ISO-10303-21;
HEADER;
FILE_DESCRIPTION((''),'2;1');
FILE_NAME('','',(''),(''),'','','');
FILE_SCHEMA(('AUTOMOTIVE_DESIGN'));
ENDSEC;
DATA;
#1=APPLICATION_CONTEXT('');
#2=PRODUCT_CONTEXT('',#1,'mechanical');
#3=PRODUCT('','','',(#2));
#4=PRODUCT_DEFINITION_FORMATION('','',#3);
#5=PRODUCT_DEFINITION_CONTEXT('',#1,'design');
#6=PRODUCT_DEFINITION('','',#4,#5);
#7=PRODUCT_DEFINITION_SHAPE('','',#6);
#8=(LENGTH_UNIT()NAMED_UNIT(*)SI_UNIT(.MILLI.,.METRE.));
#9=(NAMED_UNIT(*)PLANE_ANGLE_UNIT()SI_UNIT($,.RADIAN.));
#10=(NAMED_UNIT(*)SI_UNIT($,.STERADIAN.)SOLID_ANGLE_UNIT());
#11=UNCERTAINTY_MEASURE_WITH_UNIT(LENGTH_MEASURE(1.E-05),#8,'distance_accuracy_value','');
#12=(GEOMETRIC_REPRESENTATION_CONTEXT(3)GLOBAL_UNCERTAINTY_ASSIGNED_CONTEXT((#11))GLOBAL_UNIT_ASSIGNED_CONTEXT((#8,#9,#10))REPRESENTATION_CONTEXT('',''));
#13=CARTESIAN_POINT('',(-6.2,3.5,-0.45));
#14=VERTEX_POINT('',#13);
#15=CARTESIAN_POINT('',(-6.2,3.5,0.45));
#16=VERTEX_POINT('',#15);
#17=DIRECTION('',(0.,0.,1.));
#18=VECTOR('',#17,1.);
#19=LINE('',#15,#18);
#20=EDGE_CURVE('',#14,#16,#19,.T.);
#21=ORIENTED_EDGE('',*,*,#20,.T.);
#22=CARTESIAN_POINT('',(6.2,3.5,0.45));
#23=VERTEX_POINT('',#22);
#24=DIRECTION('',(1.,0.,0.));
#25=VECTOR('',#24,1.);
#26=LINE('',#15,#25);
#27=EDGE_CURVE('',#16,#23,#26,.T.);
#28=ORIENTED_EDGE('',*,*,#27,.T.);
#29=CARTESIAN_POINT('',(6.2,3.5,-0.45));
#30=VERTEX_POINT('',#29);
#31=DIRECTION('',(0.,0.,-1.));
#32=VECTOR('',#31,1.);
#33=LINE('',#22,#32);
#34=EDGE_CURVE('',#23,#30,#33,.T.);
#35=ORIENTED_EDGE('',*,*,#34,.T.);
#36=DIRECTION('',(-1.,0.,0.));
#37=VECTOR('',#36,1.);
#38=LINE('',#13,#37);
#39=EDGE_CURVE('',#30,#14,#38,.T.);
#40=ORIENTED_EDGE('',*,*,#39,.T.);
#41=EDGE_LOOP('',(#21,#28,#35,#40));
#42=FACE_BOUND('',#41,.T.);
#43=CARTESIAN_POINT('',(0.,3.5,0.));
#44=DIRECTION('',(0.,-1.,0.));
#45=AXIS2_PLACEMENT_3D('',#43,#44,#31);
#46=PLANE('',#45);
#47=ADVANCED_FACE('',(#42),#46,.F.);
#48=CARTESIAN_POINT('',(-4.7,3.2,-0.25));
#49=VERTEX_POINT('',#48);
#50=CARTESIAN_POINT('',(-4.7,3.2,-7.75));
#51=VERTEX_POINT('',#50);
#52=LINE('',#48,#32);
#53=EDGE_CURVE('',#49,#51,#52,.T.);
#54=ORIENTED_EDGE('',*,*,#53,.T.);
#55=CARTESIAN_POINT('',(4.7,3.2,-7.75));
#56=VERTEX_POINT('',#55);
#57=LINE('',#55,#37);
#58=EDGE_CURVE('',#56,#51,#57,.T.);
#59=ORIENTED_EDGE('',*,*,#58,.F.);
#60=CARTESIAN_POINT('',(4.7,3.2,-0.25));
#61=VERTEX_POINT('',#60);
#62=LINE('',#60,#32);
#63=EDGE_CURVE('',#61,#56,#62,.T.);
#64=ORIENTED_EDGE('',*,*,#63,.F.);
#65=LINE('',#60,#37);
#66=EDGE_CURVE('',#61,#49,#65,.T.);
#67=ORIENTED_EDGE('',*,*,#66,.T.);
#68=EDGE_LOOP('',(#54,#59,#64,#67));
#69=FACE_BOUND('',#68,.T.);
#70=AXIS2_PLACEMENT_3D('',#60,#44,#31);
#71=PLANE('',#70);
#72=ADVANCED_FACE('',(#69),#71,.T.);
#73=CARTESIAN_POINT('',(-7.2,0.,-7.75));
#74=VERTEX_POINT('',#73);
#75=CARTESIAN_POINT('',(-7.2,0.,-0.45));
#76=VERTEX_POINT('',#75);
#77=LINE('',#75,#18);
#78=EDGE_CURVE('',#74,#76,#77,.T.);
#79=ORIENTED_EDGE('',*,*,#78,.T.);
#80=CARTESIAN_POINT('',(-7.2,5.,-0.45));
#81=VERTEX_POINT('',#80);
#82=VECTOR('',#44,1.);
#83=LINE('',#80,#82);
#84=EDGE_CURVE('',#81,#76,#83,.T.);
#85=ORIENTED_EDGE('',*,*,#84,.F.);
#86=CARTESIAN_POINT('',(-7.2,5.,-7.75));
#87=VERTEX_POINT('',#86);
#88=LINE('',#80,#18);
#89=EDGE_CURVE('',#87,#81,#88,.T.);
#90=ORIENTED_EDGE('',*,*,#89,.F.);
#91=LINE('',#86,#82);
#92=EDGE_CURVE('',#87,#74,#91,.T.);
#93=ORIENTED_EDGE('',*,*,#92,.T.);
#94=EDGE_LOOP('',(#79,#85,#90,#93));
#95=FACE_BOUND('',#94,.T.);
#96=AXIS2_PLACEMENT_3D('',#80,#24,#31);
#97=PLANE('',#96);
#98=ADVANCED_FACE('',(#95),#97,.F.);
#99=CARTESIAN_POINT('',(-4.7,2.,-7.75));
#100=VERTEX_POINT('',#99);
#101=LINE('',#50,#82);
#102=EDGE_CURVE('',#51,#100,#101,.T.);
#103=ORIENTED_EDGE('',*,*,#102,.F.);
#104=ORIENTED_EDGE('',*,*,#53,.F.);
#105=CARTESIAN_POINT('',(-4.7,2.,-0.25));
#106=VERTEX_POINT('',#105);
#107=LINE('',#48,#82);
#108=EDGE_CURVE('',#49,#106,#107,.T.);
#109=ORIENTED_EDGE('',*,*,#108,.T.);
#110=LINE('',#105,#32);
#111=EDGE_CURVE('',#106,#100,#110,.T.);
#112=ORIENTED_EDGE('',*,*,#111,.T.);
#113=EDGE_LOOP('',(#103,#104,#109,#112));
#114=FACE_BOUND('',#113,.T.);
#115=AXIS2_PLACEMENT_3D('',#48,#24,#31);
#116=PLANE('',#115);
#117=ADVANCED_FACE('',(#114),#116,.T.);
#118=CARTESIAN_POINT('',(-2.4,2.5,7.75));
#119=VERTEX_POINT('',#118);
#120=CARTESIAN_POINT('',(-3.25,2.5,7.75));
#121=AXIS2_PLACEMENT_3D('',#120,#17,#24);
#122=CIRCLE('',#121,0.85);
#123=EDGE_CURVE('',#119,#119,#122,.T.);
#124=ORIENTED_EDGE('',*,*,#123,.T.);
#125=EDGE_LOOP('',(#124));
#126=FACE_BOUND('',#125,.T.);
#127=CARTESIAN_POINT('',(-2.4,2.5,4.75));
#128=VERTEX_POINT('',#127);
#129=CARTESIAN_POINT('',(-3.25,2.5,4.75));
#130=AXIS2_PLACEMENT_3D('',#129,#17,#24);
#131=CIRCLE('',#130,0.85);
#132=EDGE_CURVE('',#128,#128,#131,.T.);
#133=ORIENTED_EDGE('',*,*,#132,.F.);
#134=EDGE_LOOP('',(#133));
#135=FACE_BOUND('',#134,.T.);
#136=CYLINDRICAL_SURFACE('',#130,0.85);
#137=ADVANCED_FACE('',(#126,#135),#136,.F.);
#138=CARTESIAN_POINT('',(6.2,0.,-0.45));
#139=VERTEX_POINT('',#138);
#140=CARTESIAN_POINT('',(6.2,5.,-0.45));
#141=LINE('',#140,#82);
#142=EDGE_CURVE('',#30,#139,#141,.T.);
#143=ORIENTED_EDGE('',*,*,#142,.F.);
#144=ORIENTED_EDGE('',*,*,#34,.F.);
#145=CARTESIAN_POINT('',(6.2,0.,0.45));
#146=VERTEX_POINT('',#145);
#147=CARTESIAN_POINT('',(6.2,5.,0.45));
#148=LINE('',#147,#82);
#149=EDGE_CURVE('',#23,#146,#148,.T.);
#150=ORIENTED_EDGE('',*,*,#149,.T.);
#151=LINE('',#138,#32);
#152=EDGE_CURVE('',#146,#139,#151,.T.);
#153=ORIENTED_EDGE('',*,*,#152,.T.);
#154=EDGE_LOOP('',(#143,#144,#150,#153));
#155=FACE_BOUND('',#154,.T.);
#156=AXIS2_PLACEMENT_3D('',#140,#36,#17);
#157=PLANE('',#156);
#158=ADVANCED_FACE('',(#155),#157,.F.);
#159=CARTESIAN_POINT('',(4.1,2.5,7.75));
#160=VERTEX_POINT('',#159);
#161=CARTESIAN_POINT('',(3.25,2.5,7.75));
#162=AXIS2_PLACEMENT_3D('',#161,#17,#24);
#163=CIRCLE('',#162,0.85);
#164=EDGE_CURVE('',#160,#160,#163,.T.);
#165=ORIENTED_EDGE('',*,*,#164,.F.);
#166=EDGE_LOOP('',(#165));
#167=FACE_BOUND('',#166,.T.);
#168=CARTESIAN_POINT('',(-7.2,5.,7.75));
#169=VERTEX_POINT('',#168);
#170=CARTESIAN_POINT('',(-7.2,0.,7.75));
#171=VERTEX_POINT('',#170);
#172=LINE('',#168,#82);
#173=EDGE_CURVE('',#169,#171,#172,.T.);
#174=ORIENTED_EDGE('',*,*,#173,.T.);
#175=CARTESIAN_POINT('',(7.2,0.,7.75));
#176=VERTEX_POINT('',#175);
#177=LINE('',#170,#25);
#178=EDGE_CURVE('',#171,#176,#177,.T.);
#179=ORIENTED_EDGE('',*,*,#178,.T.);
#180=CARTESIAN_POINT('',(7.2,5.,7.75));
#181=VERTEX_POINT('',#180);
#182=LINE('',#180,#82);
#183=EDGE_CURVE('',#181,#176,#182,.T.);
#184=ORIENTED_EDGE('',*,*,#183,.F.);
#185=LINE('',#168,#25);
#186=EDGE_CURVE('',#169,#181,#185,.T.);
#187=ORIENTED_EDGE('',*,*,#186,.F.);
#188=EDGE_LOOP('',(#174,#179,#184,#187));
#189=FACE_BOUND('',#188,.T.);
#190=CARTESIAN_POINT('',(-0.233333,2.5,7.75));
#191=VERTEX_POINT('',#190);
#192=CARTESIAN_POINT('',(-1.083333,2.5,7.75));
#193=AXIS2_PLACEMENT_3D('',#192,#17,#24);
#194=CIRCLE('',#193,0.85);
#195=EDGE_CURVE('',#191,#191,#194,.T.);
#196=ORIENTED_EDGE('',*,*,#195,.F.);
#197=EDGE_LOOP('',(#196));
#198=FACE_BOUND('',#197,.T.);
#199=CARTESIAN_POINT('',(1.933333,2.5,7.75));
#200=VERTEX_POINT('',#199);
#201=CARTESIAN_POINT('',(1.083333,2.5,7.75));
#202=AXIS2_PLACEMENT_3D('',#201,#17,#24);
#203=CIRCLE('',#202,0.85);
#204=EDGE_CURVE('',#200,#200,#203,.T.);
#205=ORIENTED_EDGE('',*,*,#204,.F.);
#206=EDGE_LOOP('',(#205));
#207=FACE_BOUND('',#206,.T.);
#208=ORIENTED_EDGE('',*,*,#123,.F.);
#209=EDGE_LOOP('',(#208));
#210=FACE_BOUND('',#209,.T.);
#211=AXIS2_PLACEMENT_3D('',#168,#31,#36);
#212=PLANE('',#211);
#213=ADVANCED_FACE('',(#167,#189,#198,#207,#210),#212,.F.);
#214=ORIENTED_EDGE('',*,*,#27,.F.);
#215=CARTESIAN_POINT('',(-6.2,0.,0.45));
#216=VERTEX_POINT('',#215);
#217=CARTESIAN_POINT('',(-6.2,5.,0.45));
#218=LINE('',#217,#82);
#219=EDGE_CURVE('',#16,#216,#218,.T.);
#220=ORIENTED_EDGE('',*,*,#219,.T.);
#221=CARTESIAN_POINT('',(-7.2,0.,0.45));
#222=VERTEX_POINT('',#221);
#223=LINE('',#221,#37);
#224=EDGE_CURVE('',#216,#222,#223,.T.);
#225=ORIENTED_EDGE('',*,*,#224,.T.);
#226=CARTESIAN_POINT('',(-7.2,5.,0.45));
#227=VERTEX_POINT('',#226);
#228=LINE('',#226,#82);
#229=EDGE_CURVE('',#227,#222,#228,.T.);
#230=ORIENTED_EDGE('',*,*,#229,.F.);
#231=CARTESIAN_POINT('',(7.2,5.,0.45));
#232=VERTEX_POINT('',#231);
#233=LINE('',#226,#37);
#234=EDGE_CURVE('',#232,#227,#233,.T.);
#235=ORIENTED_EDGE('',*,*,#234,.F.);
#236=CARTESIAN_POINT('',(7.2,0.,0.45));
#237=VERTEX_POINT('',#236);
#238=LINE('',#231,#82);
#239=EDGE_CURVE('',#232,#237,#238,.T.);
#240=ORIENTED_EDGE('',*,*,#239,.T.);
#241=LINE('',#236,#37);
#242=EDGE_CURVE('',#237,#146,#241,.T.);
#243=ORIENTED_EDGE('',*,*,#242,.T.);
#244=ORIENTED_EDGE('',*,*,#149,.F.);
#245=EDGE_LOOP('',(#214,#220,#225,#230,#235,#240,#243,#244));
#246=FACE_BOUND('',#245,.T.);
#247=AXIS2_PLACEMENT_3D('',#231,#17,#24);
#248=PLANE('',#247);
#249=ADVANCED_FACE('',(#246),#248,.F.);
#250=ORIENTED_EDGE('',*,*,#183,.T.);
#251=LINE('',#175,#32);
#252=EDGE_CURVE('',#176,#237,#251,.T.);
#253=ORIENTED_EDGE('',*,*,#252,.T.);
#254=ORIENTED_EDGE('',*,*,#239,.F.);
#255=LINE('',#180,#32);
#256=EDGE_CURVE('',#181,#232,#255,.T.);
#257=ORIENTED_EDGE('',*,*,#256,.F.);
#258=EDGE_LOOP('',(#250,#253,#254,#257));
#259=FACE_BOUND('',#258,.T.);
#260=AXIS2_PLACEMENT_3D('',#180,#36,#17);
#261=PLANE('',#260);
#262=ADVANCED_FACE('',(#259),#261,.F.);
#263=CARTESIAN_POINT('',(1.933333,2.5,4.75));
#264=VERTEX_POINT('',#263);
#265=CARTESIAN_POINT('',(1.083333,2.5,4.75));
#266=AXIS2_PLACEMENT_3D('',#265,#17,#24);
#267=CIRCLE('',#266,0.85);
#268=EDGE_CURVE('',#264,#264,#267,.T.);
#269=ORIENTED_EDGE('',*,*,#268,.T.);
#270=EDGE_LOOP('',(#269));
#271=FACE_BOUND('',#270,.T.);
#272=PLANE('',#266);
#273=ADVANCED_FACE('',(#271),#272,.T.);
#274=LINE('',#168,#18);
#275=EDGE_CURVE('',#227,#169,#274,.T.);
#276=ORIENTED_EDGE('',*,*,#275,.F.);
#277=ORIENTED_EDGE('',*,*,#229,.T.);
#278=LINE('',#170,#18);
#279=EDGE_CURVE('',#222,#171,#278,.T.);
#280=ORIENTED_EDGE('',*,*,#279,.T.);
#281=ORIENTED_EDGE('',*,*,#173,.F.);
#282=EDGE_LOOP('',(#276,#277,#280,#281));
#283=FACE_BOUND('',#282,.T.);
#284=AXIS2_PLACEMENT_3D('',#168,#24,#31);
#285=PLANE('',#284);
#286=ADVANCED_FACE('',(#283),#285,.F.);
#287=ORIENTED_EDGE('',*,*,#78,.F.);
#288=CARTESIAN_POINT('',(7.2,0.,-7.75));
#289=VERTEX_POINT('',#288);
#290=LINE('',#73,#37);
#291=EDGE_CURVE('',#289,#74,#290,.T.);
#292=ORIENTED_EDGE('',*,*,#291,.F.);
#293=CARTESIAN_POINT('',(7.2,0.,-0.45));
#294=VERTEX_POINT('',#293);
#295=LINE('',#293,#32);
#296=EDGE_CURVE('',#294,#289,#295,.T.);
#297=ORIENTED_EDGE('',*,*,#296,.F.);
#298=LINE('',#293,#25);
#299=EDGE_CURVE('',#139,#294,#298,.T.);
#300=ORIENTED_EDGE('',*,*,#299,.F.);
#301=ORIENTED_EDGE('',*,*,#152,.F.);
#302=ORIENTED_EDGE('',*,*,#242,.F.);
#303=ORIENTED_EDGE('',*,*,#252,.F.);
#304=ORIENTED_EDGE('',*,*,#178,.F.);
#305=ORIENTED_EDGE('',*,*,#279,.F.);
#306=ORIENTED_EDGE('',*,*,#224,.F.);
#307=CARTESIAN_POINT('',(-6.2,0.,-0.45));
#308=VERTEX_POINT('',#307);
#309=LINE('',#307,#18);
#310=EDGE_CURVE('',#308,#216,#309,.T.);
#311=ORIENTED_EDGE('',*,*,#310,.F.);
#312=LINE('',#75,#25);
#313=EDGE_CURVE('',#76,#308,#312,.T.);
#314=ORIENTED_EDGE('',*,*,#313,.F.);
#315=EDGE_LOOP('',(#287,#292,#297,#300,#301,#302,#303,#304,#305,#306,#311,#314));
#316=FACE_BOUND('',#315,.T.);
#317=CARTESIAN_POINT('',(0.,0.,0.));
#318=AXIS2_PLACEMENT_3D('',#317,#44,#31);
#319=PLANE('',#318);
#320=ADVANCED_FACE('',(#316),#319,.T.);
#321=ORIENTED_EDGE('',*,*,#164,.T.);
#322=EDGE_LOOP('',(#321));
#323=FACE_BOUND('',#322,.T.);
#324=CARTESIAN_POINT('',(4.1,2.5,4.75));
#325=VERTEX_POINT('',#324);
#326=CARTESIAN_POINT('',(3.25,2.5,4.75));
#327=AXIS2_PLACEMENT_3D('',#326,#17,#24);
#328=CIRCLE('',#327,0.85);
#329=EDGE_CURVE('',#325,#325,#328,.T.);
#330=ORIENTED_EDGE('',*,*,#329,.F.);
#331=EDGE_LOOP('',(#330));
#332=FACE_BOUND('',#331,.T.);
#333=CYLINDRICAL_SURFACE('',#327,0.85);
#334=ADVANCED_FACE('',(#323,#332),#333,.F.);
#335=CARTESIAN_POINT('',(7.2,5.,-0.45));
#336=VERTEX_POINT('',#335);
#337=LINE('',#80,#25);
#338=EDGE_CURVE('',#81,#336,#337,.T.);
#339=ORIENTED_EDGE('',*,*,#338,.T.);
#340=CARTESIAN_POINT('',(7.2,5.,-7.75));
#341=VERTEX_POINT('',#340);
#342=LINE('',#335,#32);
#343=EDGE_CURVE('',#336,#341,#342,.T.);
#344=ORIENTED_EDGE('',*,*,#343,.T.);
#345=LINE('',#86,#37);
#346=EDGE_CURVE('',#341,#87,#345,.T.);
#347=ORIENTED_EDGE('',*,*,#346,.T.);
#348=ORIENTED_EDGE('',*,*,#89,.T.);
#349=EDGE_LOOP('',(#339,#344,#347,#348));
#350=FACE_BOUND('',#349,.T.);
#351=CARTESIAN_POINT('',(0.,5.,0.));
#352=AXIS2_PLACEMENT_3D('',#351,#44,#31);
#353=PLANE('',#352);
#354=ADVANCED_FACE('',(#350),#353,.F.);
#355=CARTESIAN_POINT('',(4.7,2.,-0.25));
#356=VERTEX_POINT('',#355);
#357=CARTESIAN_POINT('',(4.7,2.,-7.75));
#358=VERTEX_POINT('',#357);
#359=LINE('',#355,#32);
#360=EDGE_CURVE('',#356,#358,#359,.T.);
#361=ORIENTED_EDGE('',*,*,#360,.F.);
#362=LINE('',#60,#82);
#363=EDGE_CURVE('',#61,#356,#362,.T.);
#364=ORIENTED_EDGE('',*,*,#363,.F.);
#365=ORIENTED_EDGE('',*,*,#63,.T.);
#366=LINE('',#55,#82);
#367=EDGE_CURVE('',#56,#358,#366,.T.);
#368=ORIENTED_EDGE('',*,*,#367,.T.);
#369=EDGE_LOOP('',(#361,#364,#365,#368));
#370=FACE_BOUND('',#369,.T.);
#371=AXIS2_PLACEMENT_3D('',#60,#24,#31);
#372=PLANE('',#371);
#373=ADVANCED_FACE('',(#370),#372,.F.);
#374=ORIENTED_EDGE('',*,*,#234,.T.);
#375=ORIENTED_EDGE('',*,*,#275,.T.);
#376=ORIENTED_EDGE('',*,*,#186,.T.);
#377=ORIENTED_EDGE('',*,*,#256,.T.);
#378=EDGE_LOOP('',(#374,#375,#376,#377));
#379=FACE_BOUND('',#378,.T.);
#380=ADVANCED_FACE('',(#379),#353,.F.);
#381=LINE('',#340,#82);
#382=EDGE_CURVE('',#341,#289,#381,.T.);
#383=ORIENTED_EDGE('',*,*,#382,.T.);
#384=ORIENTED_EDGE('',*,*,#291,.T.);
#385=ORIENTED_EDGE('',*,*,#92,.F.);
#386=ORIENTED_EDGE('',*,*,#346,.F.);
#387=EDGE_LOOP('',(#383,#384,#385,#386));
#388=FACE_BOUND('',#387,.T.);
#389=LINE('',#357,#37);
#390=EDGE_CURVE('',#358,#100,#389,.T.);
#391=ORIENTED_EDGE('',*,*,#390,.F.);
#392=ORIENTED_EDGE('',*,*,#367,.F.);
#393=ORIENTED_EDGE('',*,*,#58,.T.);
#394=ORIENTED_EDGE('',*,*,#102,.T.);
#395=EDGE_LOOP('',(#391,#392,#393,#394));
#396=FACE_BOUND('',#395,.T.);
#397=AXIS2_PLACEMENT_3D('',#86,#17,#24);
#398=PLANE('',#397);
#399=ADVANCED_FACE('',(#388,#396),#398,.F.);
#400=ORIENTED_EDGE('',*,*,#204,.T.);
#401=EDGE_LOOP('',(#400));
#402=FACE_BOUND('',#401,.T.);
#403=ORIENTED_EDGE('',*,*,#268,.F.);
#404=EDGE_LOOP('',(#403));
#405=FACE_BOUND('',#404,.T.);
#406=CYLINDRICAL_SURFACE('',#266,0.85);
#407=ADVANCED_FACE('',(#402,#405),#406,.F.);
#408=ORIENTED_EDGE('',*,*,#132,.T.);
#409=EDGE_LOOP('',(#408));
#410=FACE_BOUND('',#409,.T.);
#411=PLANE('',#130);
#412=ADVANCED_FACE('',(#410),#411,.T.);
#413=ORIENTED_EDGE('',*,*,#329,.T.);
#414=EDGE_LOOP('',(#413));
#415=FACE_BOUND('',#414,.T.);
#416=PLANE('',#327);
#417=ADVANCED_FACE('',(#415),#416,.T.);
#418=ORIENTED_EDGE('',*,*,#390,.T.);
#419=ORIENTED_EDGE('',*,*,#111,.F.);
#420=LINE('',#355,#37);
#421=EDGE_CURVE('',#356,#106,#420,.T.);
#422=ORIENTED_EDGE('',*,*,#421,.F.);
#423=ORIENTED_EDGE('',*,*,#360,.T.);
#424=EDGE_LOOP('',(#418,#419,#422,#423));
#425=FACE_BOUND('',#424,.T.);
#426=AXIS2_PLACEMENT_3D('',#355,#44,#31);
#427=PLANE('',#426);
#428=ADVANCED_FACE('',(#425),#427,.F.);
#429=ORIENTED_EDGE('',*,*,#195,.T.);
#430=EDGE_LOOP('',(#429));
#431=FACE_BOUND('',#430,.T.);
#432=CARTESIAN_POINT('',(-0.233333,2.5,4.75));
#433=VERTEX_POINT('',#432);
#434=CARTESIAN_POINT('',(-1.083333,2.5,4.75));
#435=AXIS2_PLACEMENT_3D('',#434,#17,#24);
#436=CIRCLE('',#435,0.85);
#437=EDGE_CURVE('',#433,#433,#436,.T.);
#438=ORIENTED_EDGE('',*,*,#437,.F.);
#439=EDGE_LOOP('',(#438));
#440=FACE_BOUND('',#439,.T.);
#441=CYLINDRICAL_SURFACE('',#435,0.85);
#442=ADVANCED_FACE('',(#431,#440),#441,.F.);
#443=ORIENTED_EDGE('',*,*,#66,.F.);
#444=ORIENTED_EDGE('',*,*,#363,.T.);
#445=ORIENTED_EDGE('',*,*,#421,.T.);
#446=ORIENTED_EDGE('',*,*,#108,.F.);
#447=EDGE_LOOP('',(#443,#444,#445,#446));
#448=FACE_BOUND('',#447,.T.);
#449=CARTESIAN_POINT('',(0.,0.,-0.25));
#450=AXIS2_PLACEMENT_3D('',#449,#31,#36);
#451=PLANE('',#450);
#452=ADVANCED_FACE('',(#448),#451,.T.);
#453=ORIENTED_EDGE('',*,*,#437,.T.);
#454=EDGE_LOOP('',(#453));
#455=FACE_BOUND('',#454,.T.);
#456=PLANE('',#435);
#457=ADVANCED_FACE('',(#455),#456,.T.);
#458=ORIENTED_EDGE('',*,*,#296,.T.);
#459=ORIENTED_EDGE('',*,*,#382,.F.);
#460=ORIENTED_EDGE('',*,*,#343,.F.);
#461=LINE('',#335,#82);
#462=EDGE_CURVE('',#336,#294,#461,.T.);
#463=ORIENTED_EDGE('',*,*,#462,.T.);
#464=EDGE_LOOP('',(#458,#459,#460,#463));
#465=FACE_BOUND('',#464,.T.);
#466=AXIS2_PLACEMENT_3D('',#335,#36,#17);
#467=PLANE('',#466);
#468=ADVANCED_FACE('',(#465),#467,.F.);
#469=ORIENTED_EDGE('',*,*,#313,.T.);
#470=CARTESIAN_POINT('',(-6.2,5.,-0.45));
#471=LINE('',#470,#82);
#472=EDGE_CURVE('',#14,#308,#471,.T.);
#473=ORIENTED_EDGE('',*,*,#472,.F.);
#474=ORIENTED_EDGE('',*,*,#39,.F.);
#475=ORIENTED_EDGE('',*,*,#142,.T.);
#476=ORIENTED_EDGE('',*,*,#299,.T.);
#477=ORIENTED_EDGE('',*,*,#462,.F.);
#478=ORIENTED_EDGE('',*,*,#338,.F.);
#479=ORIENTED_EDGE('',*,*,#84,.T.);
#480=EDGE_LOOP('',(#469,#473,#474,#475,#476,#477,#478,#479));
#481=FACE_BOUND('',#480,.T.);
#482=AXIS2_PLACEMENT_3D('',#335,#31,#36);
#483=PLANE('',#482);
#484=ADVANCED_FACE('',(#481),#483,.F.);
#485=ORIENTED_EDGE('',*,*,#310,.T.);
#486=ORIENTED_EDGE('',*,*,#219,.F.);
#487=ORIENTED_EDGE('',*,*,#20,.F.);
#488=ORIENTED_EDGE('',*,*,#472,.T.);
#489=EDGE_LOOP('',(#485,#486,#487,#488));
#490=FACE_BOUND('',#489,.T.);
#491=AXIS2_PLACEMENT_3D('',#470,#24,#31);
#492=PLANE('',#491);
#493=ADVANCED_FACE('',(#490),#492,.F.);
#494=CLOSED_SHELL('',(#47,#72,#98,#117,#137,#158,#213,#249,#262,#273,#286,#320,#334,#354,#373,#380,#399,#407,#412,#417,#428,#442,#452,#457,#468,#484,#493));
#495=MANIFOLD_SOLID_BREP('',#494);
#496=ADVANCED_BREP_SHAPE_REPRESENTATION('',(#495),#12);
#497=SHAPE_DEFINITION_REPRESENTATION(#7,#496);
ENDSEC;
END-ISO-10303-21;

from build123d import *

# Parameters (mm, degrees)
BOSS_EXTRUDE1_DEPTH   = 5
SKETCH2_W             = 12.4
SKETCH2_H             = 0.9
CUT_EXTRUDE1_DEPTH    = 1.5
CROQUIS1_R            = 0.85
CORTAR_EXTRUIR1_DEPTH = 3
CROQUIS2_W            = 9.4
CROQUIS2_H            = 1.2
CORTAR_EXTRUIR2_DEPTH = 7.5


with BuildPart() as part:
    # Sketch1 → Boss-Extrude1 (new body)
    with BuildSketch(Plane(origin=(0, 0, 0), x_dir=(1, 0, 0), z_dir=(0, 1, 0))):
        Polygon((-7.2, -7.75), (7.2, -7.75), (7.2, -0.45), (6.2, -0.45), (6.2, 0.45), (7.2, 0.45), (7.2, 7.75), (-7.2, 7.75), (-7.2, 0.45), (-6.2, 0.45), (-6.2, -0.45), (-7.2, -0.45), align=None)
    extrude(amount=BOSS_EXTRUDE1_DEPTH)

    # Sketch2 → Cut-Extrude1 (cut)
    with BuildSketch(Plane(origin=(0, 5, 0), x_dir=(1, 0, 0), z_dir=(0, 1, 0))):
        Rectangle(SKETCH2_W, SKETCH2_H)
    extrude(amount=-CUT_EXTRUDE1_DEPTH, mode=Mode.SUBTRACT)

    # Croquis1 → Cortar-Extruir1 (cut)
    with BuildSketch(Plane.XY.offset(7.75)):
        with Locations((-3.25, 2.5)):
            Circle(CROQUIS1_R)
        with Locations((-1.083333333, 2.5)):
            Circle(CROQUIS1_R)
        with Locations((1.083333333, 2.5)):
            Circle(CROQUIS1_R)
        with Locations((3.25, 2.5)):
            Circle(CROQUIS1_R)
    extrude(amount=-CORTAR_EXTRUIR1_DEPTH, mode=Mode.SUBTRACT)

    # Croquis2 → Cortar-Extruir2 (cut)
    with BuildSketch(Plane(origin=(0, 0, -7.75), x_dir=(-1, 0, 0), z_dir=(0, 0, -1))):
        with Locations((0, 2.6)):
            Rectangle(CROQUIS2_W, CROQUIS2_H)
    extrude(amount=-CORTAR_EXTRUIR2_DEPTH, mode=Mode.SUBTRACT)


solid = part.part
